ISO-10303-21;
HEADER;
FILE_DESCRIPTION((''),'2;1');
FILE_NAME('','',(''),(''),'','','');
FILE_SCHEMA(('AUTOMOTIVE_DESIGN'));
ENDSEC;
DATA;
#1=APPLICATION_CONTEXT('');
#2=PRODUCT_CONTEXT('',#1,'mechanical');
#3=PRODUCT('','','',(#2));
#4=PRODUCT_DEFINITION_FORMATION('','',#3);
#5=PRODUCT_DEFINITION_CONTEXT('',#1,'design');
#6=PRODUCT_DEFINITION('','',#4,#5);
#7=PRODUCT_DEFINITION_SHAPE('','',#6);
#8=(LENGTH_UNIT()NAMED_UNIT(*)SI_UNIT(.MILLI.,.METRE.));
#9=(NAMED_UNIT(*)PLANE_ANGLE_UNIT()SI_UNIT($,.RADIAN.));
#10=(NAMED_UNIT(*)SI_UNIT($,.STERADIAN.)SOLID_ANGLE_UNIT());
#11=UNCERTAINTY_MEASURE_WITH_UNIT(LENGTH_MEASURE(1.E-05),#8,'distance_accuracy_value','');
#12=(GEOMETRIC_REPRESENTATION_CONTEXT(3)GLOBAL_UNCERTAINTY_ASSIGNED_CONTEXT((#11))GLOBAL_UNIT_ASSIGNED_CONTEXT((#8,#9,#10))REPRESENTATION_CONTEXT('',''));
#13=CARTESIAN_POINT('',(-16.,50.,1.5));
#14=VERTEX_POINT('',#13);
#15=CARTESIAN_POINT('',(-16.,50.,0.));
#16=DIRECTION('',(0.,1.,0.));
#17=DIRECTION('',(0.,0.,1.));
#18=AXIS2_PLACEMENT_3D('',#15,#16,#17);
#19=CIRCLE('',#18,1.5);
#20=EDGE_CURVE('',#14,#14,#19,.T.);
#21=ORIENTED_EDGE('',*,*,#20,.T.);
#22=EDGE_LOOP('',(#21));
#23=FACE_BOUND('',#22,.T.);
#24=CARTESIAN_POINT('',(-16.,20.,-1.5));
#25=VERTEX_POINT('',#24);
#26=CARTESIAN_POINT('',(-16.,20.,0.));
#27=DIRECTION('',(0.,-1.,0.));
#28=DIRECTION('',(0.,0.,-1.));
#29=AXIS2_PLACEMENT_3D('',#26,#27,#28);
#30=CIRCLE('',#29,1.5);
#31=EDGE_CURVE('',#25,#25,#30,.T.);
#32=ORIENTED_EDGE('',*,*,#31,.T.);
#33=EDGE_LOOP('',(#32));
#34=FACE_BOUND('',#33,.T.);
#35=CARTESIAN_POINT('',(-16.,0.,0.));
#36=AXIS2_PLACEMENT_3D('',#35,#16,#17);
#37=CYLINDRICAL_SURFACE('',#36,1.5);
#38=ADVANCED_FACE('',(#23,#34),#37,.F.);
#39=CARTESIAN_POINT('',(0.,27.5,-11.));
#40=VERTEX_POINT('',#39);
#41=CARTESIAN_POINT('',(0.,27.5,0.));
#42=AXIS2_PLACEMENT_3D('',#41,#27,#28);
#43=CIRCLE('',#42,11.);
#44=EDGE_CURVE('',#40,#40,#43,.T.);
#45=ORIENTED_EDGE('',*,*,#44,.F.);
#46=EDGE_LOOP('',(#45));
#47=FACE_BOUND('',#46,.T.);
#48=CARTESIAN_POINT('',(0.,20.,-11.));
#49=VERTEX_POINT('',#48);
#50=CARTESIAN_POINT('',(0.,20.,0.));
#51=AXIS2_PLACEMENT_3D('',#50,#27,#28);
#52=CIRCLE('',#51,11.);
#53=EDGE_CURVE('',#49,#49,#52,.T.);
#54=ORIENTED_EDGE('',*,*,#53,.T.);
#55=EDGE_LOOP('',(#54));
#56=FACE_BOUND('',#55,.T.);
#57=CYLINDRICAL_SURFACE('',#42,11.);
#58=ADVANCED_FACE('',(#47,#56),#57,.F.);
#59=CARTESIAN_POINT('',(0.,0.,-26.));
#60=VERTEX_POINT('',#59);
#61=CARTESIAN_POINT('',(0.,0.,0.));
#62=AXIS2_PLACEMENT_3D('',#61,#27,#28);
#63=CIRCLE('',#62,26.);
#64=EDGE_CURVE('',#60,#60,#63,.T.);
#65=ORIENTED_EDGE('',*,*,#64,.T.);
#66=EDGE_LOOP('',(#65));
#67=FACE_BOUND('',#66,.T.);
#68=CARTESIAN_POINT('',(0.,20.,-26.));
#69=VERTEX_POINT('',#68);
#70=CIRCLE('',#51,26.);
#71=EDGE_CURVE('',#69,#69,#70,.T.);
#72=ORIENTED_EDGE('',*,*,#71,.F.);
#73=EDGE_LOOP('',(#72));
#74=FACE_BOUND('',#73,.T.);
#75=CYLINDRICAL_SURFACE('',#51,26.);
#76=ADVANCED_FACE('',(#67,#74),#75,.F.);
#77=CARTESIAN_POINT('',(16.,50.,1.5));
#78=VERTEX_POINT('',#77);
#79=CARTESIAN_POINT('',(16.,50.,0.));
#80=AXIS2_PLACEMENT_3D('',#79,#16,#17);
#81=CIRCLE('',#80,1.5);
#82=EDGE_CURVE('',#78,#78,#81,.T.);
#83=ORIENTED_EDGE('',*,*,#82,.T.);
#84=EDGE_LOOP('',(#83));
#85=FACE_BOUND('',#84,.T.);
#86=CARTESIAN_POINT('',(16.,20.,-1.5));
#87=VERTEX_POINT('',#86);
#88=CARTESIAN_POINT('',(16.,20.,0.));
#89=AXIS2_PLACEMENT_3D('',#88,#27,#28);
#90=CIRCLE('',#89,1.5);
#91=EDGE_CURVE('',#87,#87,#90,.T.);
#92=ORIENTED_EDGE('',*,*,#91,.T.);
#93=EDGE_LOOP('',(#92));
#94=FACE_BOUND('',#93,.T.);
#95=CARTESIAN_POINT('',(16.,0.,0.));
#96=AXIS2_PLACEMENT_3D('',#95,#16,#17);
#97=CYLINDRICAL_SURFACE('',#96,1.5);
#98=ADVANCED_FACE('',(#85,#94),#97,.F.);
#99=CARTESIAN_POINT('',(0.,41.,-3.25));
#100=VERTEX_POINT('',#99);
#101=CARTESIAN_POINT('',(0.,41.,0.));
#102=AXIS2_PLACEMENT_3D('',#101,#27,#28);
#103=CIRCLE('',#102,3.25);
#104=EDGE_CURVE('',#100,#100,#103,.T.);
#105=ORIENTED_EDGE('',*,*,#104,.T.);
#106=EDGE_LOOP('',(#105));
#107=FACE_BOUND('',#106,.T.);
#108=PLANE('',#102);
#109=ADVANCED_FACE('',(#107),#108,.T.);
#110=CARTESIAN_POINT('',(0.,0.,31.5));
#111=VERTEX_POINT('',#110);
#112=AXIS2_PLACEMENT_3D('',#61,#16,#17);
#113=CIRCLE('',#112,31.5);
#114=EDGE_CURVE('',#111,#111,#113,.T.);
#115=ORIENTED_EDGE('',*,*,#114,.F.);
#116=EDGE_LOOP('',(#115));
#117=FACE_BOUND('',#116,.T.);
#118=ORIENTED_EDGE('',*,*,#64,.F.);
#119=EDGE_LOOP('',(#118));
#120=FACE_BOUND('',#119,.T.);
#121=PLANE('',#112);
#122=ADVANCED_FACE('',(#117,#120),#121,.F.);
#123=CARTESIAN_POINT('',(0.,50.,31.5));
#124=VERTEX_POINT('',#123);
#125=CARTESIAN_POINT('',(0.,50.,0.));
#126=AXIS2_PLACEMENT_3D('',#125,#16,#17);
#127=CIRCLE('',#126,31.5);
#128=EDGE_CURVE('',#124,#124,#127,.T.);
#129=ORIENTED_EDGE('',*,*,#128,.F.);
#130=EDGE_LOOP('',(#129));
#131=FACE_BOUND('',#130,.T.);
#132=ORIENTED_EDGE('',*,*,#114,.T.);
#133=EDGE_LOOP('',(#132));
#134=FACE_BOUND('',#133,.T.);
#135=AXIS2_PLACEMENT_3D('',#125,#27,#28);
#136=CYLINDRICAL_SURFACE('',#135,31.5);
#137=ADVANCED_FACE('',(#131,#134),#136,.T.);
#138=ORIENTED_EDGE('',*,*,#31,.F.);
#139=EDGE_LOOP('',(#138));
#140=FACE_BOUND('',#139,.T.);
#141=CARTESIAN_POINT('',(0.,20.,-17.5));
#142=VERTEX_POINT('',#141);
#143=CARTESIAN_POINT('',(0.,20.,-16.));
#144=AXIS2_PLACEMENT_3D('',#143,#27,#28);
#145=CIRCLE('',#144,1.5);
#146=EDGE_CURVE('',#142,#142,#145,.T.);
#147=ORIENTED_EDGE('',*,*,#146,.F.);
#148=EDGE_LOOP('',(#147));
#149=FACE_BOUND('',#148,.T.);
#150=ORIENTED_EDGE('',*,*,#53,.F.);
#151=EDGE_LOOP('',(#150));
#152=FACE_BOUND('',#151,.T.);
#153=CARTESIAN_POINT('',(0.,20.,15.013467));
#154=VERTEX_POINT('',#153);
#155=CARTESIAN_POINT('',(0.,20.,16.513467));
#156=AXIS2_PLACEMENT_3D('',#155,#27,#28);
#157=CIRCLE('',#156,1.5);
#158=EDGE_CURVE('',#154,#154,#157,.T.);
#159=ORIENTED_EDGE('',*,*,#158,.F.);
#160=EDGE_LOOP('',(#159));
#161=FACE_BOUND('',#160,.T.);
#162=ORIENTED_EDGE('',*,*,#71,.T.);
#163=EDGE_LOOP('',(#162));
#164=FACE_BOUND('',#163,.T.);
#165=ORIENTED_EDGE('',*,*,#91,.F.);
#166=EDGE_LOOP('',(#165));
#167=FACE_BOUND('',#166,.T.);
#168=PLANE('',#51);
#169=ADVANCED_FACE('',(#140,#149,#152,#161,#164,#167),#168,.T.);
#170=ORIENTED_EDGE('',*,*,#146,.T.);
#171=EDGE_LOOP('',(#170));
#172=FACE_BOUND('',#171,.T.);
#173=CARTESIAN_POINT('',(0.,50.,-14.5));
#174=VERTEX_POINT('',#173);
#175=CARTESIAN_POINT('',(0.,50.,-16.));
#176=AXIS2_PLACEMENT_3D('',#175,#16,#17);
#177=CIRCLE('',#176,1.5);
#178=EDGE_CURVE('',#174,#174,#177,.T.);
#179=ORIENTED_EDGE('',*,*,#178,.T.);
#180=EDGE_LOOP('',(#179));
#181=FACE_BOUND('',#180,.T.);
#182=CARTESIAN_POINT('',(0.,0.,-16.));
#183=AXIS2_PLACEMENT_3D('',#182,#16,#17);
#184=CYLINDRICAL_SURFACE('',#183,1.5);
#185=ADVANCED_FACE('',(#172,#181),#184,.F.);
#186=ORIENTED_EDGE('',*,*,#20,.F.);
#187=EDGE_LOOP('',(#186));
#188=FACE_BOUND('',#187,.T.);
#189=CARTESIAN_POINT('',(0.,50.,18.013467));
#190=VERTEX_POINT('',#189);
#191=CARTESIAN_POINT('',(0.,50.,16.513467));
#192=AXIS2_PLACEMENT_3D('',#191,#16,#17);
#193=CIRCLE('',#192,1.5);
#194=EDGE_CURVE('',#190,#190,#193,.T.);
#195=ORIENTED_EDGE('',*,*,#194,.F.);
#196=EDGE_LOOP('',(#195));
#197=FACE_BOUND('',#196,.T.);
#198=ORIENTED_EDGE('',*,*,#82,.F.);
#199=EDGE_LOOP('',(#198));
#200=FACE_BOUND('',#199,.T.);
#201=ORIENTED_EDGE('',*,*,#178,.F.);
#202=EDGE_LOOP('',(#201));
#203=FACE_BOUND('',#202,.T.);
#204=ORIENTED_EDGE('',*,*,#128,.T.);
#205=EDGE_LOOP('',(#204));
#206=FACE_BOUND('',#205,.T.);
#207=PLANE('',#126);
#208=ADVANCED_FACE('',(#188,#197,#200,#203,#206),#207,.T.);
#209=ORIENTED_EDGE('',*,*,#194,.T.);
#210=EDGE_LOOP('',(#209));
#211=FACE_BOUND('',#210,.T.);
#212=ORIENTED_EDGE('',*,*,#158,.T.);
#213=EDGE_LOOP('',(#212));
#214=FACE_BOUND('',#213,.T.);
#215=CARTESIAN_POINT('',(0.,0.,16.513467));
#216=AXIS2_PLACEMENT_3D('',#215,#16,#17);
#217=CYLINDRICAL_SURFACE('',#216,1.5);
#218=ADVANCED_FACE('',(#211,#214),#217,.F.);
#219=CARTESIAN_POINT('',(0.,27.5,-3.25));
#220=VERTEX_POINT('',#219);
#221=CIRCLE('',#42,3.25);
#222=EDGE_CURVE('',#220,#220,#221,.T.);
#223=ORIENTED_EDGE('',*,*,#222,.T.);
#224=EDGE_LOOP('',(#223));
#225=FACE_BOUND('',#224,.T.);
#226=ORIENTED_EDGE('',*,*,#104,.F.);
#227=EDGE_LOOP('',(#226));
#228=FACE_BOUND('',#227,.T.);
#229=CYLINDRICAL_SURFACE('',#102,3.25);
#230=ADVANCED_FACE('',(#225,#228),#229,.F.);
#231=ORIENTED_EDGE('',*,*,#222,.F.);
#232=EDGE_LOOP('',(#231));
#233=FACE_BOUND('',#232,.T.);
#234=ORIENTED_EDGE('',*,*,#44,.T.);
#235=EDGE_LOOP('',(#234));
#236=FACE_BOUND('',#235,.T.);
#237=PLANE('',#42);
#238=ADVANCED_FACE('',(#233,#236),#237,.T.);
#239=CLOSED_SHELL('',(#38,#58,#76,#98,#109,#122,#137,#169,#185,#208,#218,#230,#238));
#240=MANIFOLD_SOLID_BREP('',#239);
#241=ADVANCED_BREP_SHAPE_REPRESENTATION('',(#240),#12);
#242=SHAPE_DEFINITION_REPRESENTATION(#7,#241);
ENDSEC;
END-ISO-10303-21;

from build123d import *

# Parameters (mm, degrees)
ESQUISSE1_R              = 31.5
BOSS_EXTRU_1_DEPTH       = 50
ESQUISSE2_R              = 26
ENL_V_MAT_EXTRU_1_DEPTH  = 20
ESQUISSE3_R              = 11
ENL_V_MAT_EXTRU_5_DEPTH  = 7.5
ESQUISSE4_R              = 3.25
ENL_V_MAT_EXTRU_6_DEPTH  = 13.5
ESQUISSE11_R             = 1.5
ENL_V_MAT_EXTRU_11_DEPTH = 67.96640949


with BuildPart() as part:
    # Esquisse1 → Boss.-Extru.1 (new body)
    with BuildSketch(Plane(origin=(0, 0, 0), x_dir=(1, 0, 0), z_dir=(0, 1, 0))):
        with Locations(Location((0, 0, 0), (0, 0, 270))):
            Circle(ESQUISSE1_R)
    extrude(amount=BOSS_EXTRU_1_DEPTH)

    # Esquisse2 → Enlèv. mat.-Extru.1 (cut)
    with BuildSketch(Plane(origin=(0, 0, 0), x_dir=(-1, 0, 0), z_dir=(0, -1, 0))):
        with Locations(Location((0, 0, 0), (0, 0, 90))):
            Circle(ESQUISSE2_R)
    extrude(amount=-ENL_V_MAT_EXTRU_1_DEPTH, mode=Mode.SUBTRACT)

    # Esquisse3 → Enlèv. mat.-Extru.5 (cut)
    with BuildSketch(Plane(origin=(0, 20, 0), x_dir=(-1, 0, 0), z_dir=(0, -1, 0))):
        with Locations(Location((0, 0, 0), (0, 0, 90))):
            Circle(ESQUISSE3_R)
    extrude(amount=-ENL_V_MAT_EXTRU_5_DEPTH, mode=Mode.SUBTRACT)

    # Esquisse4 → Enlèv. mat.-Extru.6 (cut)
    with BuildSketch(Plane(origin=(0, 27.5, 0), x_dir=(-1, 0, 0), z_dir=(0, -1, 0))):
        with Locations(Location((0, 0, 0), (0, 0, 90))):
            Circle(ESQUISSE4_R)
    extrude(amount=-ENL_V_MAT_EXTRU_6_DEPTH, mode=Mode.SUBTRACT)

    # Esquisse11 → Enlèv. mat.-Extru.11 (cut, through all)
    with BuildSketch(Plane(origin=(0, 50, 0), x_dir=(1, 0, 0), z_dir=(0, 1, 0))):
        with Locations(Location((-16, 0, 0), (0, 0, 270))):
            Circle(ESQUISSE11_R)
        with Locations(Location((0, 16, 0), (0, 0, 270))):
            Circle(ESQUISSE11_R)
        with Locations(Location((16, 0, 0), (0, 0, 270))):
            Circle(ESQUISSE11_R)
        with Locations(Location((0, -16.513466974, 0), (0, 0, 270))):
            Circle(ESQUISSE11_R)
    extrude(amount=-ENL_V_MAT_EXTRU_11_DEPTH, mode=Mode.SUBTRACT)


solid = part.part
